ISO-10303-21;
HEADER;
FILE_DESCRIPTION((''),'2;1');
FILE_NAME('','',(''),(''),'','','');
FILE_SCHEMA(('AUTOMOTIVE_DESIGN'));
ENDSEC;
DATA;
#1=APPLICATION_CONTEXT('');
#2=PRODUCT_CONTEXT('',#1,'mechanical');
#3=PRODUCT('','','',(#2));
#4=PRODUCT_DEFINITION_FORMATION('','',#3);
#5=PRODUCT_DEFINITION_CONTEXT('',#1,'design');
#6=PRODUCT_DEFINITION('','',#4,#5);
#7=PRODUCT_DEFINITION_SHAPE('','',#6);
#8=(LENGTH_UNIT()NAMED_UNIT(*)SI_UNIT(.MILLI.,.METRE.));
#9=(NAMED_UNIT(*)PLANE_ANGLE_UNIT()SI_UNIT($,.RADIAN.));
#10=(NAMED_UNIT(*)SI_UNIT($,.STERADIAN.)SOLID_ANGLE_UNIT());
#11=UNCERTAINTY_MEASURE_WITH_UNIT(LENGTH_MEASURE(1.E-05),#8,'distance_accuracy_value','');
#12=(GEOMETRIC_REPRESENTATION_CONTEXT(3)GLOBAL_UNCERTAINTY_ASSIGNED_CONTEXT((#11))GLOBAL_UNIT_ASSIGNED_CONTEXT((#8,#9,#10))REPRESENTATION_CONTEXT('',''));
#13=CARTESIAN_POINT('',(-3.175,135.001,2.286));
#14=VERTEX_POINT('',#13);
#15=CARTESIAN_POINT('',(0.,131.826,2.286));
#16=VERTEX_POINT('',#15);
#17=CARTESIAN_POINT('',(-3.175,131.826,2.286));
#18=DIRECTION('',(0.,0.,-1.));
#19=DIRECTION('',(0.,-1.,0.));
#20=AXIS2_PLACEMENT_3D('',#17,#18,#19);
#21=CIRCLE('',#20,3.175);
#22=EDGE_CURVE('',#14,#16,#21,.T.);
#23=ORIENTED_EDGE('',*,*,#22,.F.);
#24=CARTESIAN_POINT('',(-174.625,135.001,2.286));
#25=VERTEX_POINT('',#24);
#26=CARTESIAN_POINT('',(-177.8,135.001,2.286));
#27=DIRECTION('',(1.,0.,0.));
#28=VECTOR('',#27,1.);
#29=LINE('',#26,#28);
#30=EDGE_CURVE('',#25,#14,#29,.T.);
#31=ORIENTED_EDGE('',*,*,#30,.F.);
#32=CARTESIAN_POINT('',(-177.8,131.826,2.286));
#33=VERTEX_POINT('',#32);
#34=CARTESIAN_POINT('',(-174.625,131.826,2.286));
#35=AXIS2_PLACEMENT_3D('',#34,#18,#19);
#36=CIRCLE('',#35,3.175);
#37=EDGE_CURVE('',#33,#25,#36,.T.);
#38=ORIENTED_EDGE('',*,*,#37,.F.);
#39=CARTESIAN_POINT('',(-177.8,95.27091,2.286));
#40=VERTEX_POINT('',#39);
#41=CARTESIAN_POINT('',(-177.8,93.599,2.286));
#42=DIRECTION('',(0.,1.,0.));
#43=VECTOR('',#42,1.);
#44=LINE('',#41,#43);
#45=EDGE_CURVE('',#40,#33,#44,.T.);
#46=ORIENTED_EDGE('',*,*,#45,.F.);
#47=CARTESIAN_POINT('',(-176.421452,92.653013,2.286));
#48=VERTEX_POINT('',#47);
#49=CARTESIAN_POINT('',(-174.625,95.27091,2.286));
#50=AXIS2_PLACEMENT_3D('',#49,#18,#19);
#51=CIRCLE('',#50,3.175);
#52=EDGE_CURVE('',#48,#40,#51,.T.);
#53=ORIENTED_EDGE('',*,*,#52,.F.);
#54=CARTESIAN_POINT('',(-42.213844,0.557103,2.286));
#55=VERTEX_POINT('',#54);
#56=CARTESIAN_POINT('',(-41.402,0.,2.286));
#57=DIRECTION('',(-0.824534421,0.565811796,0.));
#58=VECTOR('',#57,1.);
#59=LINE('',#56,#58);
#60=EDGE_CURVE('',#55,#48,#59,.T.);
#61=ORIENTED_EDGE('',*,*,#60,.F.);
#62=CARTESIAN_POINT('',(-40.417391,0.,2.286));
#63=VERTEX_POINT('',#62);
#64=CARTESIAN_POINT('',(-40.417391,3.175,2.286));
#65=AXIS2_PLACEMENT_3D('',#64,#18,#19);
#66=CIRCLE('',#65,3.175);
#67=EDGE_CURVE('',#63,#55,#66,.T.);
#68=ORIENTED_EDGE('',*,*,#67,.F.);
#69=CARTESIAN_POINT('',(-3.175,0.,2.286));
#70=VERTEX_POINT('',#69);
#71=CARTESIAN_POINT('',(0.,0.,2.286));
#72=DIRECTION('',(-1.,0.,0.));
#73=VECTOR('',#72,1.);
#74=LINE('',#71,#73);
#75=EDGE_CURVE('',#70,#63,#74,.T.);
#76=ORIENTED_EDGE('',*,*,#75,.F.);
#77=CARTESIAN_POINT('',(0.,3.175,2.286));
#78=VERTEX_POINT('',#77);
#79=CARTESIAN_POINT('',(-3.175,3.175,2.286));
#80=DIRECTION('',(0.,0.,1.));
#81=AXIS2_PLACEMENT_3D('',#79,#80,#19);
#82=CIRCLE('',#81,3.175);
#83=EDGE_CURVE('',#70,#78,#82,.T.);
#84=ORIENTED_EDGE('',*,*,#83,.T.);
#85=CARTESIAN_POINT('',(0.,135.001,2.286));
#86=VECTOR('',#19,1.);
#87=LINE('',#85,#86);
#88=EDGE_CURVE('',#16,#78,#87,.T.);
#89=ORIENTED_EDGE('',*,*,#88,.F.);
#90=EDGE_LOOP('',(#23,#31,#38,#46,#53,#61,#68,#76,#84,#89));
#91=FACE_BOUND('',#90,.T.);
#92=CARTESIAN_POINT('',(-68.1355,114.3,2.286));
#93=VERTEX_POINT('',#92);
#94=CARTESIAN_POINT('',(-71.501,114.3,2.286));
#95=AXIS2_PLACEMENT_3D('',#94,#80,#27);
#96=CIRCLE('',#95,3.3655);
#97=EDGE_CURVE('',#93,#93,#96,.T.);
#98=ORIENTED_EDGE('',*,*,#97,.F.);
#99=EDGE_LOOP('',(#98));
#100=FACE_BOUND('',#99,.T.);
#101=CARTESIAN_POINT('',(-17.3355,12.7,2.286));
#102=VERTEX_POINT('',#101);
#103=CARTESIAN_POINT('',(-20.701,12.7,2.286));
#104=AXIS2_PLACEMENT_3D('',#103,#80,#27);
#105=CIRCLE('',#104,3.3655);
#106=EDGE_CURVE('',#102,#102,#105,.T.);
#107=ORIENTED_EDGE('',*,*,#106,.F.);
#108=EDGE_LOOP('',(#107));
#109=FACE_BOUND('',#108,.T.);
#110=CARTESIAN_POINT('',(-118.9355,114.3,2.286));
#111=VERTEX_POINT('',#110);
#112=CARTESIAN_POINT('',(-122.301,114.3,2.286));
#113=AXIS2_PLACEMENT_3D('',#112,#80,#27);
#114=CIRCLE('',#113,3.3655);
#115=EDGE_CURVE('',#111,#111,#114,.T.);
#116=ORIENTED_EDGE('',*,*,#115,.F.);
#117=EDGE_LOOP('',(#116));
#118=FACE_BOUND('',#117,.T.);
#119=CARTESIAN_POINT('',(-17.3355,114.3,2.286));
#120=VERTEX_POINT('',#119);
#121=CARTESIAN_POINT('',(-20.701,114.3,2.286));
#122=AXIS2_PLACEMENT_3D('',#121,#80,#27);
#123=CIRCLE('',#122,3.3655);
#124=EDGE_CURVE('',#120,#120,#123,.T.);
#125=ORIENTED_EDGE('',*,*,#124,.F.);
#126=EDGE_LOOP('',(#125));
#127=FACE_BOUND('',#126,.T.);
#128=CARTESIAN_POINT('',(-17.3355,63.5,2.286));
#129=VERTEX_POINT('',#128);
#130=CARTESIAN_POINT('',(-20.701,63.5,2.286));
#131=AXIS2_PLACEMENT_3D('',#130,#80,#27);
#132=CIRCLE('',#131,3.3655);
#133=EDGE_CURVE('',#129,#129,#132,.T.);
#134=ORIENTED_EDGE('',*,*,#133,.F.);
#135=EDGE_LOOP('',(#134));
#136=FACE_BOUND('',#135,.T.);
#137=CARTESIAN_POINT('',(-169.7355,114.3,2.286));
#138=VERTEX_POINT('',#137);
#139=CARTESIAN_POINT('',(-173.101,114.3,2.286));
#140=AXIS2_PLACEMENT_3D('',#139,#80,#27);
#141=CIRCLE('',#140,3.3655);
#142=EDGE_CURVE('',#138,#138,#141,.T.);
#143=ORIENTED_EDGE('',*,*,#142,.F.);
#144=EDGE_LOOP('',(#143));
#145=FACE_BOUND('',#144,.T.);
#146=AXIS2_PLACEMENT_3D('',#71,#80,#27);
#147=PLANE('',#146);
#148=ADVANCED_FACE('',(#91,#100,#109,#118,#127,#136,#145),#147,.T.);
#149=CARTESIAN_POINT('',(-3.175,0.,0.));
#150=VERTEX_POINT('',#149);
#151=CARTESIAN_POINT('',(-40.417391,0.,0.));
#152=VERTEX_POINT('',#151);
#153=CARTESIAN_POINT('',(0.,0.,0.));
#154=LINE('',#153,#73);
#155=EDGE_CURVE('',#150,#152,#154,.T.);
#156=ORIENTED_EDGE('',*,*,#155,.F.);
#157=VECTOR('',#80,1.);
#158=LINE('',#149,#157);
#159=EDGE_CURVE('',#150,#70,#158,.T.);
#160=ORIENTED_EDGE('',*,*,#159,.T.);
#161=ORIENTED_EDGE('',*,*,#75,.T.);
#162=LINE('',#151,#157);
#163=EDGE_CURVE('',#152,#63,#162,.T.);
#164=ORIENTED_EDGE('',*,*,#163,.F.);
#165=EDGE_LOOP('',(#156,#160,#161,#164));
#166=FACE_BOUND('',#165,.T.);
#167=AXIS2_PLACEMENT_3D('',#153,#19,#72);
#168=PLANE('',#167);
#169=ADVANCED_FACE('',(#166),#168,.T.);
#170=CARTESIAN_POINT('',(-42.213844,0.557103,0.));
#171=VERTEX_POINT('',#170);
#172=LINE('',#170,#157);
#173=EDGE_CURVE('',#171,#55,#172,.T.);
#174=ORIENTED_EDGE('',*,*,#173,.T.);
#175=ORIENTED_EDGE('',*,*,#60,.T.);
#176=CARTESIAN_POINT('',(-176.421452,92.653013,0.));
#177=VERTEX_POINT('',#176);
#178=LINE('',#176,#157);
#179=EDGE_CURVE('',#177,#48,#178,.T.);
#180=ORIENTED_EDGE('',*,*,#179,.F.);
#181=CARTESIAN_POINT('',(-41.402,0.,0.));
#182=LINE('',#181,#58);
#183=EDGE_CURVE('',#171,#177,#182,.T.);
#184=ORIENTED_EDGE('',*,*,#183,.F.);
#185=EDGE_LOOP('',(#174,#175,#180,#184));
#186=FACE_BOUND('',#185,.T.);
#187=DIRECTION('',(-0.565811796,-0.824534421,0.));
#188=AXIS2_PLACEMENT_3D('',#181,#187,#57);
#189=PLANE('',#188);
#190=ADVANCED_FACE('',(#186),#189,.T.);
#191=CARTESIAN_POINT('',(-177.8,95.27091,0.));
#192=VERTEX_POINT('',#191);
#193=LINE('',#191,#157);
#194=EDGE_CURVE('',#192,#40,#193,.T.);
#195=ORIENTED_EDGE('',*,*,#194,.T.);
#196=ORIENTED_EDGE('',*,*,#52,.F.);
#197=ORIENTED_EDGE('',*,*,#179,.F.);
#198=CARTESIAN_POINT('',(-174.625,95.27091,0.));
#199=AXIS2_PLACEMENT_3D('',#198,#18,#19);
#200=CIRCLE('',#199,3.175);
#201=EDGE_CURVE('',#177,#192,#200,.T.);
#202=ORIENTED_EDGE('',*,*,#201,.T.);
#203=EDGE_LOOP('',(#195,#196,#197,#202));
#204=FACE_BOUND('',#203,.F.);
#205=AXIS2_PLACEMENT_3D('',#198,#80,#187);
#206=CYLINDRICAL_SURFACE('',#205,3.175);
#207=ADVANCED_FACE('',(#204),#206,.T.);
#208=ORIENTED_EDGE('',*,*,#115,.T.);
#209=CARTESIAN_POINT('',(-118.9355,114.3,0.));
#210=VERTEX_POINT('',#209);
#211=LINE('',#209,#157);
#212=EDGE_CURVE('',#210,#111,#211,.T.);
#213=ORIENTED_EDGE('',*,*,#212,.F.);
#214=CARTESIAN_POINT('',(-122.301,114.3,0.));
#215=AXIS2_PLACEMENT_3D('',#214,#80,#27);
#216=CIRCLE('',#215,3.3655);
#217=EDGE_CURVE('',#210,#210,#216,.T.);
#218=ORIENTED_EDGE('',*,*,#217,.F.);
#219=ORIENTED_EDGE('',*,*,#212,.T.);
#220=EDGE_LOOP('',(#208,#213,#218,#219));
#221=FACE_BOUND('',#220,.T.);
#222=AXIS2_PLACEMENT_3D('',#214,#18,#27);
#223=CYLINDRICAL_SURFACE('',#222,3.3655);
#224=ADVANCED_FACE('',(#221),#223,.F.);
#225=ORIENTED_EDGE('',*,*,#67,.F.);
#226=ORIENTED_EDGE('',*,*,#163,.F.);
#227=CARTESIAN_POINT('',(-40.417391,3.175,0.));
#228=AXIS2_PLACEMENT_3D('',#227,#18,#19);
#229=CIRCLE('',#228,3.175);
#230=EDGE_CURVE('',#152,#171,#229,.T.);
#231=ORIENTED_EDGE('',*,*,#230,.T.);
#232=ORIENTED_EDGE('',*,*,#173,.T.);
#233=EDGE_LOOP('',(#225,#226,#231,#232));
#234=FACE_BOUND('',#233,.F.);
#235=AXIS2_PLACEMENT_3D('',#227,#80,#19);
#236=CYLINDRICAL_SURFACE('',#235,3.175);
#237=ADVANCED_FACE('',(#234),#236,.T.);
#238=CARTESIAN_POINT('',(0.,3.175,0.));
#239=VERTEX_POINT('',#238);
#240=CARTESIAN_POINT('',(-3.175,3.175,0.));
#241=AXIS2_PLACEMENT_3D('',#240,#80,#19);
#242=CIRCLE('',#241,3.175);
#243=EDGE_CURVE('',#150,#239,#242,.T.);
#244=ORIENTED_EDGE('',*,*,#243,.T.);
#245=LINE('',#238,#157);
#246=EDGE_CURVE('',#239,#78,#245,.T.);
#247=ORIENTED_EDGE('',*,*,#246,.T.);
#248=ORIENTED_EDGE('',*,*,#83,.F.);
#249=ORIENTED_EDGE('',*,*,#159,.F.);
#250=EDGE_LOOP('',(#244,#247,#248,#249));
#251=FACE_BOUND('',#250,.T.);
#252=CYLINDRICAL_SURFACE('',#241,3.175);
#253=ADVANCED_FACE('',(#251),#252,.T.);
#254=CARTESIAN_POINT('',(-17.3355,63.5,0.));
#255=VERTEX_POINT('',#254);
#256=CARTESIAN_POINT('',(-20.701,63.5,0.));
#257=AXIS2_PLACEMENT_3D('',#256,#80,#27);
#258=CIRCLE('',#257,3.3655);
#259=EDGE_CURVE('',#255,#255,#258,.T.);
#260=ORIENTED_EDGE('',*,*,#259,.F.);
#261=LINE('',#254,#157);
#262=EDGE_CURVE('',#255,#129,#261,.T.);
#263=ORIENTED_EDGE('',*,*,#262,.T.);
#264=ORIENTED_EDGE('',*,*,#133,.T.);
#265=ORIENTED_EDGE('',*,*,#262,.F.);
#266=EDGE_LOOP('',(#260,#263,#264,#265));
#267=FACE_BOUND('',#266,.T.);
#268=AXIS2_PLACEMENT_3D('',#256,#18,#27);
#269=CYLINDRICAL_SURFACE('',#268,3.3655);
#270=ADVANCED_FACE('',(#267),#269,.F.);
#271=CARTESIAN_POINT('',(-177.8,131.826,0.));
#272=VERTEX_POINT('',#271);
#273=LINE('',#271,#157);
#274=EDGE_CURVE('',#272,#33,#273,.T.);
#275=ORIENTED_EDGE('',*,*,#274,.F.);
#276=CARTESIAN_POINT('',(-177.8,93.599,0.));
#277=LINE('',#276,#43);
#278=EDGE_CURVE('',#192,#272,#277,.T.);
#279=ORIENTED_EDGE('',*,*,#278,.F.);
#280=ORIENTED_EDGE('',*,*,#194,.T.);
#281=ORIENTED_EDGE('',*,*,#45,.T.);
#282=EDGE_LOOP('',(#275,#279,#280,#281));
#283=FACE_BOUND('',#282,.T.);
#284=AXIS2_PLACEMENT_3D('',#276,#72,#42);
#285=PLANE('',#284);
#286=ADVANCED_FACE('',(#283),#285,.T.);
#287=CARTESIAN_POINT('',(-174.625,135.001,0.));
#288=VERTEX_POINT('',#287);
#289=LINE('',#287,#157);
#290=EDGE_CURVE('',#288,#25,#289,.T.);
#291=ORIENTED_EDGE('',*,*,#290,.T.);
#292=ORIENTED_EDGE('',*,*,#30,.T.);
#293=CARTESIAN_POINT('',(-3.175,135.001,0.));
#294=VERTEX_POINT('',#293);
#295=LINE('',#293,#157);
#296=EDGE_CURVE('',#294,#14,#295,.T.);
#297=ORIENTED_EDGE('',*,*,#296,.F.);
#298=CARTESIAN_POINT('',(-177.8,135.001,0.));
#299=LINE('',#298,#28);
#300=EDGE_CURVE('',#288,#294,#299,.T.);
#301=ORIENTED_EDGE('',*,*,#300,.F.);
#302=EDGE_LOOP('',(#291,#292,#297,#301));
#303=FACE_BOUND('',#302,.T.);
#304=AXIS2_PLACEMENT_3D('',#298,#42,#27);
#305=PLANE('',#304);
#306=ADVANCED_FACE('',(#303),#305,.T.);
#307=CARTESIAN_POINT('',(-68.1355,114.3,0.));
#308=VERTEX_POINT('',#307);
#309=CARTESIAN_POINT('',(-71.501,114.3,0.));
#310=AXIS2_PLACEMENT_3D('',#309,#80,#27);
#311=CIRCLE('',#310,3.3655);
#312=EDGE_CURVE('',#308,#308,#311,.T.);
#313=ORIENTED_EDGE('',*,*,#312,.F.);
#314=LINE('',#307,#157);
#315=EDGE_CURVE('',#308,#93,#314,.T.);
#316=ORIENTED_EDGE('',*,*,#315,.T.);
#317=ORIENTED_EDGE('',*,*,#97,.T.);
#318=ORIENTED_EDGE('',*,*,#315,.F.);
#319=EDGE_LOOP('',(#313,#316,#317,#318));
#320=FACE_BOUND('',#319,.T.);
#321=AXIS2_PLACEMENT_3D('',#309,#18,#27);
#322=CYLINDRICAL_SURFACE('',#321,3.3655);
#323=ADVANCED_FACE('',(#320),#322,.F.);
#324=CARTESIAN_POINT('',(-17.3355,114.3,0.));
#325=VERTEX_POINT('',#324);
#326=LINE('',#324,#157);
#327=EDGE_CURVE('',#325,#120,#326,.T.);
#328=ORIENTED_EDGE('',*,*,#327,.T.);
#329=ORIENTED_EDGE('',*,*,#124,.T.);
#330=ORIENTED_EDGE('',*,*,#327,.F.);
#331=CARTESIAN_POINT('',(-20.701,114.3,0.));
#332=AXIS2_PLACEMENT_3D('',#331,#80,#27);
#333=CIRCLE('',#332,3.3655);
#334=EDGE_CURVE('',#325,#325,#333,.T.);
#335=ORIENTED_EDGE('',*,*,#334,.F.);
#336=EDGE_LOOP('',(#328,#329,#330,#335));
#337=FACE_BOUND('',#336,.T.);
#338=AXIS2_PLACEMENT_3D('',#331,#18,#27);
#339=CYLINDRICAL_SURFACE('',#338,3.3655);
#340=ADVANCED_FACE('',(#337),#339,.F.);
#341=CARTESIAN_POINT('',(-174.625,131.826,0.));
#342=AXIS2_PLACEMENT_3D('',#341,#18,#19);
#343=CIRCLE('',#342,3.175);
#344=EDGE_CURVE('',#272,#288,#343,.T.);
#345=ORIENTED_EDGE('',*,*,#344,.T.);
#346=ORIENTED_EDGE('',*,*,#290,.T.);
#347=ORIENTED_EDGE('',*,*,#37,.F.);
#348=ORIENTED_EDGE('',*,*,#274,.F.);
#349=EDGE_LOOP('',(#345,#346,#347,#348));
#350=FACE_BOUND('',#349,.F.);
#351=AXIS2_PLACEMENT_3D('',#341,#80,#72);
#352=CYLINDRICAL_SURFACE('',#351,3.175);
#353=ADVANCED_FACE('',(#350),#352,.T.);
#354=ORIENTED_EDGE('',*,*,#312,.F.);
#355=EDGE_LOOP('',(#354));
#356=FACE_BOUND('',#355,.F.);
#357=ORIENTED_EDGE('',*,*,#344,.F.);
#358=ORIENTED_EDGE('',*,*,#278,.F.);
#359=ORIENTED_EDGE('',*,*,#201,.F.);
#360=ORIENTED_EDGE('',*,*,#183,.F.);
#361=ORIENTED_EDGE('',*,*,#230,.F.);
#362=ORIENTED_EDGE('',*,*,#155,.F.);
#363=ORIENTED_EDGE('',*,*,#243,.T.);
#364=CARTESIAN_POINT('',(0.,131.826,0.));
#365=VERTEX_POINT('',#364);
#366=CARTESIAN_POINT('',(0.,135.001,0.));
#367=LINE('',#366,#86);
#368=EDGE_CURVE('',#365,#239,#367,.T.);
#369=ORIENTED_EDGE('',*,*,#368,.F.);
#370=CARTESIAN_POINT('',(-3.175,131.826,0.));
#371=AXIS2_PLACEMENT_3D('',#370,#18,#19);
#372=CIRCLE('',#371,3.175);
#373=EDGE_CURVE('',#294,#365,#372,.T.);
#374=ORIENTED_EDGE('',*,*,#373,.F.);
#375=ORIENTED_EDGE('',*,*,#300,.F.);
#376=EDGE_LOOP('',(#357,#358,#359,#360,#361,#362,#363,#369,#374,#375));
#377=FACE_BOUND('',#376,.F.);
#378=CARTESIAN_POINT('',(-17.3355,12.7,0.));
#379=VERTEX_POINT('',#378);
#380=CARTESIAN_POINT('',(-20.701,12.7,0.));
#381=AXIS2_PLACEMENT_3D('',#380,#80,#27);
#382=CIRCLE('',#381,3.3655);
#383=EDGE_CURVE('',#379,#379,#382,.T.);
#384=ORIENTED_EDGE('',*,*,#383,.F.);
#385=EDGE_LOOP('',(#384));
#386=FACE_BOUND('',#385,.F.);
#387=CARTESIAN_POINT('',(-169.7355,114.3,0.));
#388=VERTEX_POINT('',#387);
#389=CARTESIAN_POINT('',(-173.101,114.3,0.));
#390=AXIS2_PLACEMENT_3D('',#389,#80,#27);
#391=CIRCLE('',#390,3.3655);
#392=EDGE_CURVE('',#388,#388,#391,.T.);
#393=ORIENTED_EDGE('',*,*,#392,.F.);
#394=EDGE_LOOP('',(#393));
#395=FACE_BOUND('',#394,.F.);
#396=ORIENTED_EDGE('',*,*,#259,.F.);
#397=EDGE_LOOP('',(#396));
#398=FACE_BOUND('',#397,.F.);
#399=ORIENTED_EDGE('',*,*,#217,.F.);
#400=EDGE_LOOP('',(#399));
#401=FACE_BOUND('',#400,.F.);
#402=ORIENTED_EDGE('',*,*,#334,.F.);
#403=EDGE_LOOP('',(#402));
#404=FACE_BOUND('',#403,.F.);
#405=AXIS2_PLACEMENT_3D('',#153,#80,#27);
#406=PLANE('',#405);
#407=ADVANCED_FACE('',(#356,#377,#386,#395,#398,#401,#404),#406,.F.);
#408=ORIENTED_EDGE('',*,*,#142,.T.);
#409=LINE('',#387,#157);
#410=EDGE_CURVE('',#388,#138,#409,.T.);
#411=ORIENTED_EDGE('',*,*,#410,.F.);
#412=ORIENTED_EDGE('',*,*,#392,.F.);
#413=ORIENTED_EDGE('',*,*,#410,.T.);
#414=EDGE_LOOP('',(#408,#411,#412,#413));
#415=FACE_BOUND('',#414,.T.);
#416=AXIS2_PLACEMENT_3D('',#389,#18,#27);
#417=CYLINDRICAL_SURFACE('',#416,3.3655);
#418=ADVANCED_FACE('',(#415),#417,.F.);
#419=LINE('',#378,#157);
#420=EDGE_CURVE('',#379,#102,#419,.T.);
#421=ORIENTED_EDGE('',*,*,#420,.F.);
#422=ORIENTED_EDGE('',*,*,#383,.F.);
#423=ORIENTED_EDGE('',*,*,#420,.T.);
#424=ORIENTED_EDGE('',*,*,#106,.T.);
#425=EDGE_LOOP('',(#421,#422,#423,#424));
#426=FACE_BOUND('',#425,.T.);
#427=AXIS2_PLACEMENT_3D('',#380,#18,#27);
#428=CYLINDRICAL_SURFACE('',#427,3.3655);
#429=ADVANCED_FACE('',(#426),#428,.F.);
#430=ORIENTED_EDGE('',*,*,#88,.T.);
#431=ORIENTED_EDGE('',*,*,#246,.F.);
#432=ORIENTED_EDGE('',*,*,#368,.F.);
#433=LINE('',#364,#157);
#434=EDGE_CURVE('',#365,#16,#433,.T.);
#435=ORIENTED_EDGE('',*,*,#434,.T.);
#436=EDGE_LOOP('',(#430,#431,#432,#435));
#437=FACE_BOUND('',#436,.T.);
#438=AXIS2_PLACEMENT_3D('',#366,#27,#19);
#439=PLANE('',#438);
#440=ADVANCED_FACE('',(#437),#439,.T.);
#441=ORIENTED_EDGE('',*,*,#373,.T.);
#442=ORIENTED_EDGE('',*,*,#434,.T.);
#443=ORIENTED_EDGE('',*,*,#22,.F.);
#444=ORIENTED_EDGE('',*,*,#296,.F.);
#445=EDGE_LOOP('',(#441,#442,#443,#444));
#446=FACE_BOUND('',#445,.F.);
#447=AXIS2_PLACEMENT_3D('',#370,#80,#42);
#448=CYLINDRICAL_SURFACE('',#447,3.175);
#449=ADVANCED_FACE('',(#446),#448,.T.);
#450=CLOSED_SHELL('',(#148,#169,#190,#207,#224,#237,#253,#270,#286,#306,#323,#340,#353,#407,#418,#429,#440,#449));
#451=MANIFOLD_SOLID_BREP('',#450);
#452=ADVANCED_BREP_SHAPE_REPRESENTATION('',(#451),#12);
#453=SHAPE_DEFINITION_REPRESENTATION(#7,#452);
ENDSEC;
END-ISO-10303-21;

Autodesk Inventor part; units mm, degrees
ref_plane "YZ Plane" through (0, 0, 0) normal (1, 0, 0) x (0, 1, 0)
ref_plane "XZ Plane" through (0, 0, 0) normal (0, 1, 0) x (-1, 0, 0)
ref_plane "XY Plane" through (0, 0, 0) normal (0, 0, 1) x (1, 0, 0)
sketch "Sketch1" plane through (0, 0, 0) normal (0, 0, 1) x (1, 0, 0)
  line L0 (0, 0) -> (-41.402, 0)
  line L1 (-41.402, 0) -> (-177.8, 93.599)
  line L2 (-177.8, 93.599) -> (-177.8, 135.001)
  line L3 (-177.8, 135.001) -> (0, 135.001)
  line L4 (0, 135.001) -> (0, 0)
  circle A0 centre (-20.701, 12.7) radius 3.3655
  circle A1 centre (-20.701, 63.5) radius 3.3655
  circle A2 centre (-20.701, 114.3) radius 3.3655
  circle A3 centre (-71.501, 114.3) radius 3.3655
  circle A4 centre (-122.301, 114.3) radius 3.3655
  circle A5 centre (-173.101, 114.3) radius 3.3655
  dimension "d0" = 41.402
  dimension "d1" = 41.402
  dimension "d2" = 177.8
  dimension "d3" = 135.001
  dimension "d4" = 6.731
  dimension "d6" = 20.701
  dimension "d9" = 50.8
  dimension "d14" = 20.701
  dimension "d15" = 20.701
  dimension "d16" = 50.8
  dimension "d17" = 12.7
  dimension "d20" = 50.8
  dimension "d25" = 4.699
extrude "Extrusion1" add sketch "Sketch1" along normal blind 2.286
fillet "Fillet1" radius 3.175 5 edges at (0, 135.001, 1.143) (0, 0, 1.143) (-41.402, 0, 1.143) (-177.8, 93.599, 1.143) (-177.8, 135.001, 1.143)
properties part number "super5"
